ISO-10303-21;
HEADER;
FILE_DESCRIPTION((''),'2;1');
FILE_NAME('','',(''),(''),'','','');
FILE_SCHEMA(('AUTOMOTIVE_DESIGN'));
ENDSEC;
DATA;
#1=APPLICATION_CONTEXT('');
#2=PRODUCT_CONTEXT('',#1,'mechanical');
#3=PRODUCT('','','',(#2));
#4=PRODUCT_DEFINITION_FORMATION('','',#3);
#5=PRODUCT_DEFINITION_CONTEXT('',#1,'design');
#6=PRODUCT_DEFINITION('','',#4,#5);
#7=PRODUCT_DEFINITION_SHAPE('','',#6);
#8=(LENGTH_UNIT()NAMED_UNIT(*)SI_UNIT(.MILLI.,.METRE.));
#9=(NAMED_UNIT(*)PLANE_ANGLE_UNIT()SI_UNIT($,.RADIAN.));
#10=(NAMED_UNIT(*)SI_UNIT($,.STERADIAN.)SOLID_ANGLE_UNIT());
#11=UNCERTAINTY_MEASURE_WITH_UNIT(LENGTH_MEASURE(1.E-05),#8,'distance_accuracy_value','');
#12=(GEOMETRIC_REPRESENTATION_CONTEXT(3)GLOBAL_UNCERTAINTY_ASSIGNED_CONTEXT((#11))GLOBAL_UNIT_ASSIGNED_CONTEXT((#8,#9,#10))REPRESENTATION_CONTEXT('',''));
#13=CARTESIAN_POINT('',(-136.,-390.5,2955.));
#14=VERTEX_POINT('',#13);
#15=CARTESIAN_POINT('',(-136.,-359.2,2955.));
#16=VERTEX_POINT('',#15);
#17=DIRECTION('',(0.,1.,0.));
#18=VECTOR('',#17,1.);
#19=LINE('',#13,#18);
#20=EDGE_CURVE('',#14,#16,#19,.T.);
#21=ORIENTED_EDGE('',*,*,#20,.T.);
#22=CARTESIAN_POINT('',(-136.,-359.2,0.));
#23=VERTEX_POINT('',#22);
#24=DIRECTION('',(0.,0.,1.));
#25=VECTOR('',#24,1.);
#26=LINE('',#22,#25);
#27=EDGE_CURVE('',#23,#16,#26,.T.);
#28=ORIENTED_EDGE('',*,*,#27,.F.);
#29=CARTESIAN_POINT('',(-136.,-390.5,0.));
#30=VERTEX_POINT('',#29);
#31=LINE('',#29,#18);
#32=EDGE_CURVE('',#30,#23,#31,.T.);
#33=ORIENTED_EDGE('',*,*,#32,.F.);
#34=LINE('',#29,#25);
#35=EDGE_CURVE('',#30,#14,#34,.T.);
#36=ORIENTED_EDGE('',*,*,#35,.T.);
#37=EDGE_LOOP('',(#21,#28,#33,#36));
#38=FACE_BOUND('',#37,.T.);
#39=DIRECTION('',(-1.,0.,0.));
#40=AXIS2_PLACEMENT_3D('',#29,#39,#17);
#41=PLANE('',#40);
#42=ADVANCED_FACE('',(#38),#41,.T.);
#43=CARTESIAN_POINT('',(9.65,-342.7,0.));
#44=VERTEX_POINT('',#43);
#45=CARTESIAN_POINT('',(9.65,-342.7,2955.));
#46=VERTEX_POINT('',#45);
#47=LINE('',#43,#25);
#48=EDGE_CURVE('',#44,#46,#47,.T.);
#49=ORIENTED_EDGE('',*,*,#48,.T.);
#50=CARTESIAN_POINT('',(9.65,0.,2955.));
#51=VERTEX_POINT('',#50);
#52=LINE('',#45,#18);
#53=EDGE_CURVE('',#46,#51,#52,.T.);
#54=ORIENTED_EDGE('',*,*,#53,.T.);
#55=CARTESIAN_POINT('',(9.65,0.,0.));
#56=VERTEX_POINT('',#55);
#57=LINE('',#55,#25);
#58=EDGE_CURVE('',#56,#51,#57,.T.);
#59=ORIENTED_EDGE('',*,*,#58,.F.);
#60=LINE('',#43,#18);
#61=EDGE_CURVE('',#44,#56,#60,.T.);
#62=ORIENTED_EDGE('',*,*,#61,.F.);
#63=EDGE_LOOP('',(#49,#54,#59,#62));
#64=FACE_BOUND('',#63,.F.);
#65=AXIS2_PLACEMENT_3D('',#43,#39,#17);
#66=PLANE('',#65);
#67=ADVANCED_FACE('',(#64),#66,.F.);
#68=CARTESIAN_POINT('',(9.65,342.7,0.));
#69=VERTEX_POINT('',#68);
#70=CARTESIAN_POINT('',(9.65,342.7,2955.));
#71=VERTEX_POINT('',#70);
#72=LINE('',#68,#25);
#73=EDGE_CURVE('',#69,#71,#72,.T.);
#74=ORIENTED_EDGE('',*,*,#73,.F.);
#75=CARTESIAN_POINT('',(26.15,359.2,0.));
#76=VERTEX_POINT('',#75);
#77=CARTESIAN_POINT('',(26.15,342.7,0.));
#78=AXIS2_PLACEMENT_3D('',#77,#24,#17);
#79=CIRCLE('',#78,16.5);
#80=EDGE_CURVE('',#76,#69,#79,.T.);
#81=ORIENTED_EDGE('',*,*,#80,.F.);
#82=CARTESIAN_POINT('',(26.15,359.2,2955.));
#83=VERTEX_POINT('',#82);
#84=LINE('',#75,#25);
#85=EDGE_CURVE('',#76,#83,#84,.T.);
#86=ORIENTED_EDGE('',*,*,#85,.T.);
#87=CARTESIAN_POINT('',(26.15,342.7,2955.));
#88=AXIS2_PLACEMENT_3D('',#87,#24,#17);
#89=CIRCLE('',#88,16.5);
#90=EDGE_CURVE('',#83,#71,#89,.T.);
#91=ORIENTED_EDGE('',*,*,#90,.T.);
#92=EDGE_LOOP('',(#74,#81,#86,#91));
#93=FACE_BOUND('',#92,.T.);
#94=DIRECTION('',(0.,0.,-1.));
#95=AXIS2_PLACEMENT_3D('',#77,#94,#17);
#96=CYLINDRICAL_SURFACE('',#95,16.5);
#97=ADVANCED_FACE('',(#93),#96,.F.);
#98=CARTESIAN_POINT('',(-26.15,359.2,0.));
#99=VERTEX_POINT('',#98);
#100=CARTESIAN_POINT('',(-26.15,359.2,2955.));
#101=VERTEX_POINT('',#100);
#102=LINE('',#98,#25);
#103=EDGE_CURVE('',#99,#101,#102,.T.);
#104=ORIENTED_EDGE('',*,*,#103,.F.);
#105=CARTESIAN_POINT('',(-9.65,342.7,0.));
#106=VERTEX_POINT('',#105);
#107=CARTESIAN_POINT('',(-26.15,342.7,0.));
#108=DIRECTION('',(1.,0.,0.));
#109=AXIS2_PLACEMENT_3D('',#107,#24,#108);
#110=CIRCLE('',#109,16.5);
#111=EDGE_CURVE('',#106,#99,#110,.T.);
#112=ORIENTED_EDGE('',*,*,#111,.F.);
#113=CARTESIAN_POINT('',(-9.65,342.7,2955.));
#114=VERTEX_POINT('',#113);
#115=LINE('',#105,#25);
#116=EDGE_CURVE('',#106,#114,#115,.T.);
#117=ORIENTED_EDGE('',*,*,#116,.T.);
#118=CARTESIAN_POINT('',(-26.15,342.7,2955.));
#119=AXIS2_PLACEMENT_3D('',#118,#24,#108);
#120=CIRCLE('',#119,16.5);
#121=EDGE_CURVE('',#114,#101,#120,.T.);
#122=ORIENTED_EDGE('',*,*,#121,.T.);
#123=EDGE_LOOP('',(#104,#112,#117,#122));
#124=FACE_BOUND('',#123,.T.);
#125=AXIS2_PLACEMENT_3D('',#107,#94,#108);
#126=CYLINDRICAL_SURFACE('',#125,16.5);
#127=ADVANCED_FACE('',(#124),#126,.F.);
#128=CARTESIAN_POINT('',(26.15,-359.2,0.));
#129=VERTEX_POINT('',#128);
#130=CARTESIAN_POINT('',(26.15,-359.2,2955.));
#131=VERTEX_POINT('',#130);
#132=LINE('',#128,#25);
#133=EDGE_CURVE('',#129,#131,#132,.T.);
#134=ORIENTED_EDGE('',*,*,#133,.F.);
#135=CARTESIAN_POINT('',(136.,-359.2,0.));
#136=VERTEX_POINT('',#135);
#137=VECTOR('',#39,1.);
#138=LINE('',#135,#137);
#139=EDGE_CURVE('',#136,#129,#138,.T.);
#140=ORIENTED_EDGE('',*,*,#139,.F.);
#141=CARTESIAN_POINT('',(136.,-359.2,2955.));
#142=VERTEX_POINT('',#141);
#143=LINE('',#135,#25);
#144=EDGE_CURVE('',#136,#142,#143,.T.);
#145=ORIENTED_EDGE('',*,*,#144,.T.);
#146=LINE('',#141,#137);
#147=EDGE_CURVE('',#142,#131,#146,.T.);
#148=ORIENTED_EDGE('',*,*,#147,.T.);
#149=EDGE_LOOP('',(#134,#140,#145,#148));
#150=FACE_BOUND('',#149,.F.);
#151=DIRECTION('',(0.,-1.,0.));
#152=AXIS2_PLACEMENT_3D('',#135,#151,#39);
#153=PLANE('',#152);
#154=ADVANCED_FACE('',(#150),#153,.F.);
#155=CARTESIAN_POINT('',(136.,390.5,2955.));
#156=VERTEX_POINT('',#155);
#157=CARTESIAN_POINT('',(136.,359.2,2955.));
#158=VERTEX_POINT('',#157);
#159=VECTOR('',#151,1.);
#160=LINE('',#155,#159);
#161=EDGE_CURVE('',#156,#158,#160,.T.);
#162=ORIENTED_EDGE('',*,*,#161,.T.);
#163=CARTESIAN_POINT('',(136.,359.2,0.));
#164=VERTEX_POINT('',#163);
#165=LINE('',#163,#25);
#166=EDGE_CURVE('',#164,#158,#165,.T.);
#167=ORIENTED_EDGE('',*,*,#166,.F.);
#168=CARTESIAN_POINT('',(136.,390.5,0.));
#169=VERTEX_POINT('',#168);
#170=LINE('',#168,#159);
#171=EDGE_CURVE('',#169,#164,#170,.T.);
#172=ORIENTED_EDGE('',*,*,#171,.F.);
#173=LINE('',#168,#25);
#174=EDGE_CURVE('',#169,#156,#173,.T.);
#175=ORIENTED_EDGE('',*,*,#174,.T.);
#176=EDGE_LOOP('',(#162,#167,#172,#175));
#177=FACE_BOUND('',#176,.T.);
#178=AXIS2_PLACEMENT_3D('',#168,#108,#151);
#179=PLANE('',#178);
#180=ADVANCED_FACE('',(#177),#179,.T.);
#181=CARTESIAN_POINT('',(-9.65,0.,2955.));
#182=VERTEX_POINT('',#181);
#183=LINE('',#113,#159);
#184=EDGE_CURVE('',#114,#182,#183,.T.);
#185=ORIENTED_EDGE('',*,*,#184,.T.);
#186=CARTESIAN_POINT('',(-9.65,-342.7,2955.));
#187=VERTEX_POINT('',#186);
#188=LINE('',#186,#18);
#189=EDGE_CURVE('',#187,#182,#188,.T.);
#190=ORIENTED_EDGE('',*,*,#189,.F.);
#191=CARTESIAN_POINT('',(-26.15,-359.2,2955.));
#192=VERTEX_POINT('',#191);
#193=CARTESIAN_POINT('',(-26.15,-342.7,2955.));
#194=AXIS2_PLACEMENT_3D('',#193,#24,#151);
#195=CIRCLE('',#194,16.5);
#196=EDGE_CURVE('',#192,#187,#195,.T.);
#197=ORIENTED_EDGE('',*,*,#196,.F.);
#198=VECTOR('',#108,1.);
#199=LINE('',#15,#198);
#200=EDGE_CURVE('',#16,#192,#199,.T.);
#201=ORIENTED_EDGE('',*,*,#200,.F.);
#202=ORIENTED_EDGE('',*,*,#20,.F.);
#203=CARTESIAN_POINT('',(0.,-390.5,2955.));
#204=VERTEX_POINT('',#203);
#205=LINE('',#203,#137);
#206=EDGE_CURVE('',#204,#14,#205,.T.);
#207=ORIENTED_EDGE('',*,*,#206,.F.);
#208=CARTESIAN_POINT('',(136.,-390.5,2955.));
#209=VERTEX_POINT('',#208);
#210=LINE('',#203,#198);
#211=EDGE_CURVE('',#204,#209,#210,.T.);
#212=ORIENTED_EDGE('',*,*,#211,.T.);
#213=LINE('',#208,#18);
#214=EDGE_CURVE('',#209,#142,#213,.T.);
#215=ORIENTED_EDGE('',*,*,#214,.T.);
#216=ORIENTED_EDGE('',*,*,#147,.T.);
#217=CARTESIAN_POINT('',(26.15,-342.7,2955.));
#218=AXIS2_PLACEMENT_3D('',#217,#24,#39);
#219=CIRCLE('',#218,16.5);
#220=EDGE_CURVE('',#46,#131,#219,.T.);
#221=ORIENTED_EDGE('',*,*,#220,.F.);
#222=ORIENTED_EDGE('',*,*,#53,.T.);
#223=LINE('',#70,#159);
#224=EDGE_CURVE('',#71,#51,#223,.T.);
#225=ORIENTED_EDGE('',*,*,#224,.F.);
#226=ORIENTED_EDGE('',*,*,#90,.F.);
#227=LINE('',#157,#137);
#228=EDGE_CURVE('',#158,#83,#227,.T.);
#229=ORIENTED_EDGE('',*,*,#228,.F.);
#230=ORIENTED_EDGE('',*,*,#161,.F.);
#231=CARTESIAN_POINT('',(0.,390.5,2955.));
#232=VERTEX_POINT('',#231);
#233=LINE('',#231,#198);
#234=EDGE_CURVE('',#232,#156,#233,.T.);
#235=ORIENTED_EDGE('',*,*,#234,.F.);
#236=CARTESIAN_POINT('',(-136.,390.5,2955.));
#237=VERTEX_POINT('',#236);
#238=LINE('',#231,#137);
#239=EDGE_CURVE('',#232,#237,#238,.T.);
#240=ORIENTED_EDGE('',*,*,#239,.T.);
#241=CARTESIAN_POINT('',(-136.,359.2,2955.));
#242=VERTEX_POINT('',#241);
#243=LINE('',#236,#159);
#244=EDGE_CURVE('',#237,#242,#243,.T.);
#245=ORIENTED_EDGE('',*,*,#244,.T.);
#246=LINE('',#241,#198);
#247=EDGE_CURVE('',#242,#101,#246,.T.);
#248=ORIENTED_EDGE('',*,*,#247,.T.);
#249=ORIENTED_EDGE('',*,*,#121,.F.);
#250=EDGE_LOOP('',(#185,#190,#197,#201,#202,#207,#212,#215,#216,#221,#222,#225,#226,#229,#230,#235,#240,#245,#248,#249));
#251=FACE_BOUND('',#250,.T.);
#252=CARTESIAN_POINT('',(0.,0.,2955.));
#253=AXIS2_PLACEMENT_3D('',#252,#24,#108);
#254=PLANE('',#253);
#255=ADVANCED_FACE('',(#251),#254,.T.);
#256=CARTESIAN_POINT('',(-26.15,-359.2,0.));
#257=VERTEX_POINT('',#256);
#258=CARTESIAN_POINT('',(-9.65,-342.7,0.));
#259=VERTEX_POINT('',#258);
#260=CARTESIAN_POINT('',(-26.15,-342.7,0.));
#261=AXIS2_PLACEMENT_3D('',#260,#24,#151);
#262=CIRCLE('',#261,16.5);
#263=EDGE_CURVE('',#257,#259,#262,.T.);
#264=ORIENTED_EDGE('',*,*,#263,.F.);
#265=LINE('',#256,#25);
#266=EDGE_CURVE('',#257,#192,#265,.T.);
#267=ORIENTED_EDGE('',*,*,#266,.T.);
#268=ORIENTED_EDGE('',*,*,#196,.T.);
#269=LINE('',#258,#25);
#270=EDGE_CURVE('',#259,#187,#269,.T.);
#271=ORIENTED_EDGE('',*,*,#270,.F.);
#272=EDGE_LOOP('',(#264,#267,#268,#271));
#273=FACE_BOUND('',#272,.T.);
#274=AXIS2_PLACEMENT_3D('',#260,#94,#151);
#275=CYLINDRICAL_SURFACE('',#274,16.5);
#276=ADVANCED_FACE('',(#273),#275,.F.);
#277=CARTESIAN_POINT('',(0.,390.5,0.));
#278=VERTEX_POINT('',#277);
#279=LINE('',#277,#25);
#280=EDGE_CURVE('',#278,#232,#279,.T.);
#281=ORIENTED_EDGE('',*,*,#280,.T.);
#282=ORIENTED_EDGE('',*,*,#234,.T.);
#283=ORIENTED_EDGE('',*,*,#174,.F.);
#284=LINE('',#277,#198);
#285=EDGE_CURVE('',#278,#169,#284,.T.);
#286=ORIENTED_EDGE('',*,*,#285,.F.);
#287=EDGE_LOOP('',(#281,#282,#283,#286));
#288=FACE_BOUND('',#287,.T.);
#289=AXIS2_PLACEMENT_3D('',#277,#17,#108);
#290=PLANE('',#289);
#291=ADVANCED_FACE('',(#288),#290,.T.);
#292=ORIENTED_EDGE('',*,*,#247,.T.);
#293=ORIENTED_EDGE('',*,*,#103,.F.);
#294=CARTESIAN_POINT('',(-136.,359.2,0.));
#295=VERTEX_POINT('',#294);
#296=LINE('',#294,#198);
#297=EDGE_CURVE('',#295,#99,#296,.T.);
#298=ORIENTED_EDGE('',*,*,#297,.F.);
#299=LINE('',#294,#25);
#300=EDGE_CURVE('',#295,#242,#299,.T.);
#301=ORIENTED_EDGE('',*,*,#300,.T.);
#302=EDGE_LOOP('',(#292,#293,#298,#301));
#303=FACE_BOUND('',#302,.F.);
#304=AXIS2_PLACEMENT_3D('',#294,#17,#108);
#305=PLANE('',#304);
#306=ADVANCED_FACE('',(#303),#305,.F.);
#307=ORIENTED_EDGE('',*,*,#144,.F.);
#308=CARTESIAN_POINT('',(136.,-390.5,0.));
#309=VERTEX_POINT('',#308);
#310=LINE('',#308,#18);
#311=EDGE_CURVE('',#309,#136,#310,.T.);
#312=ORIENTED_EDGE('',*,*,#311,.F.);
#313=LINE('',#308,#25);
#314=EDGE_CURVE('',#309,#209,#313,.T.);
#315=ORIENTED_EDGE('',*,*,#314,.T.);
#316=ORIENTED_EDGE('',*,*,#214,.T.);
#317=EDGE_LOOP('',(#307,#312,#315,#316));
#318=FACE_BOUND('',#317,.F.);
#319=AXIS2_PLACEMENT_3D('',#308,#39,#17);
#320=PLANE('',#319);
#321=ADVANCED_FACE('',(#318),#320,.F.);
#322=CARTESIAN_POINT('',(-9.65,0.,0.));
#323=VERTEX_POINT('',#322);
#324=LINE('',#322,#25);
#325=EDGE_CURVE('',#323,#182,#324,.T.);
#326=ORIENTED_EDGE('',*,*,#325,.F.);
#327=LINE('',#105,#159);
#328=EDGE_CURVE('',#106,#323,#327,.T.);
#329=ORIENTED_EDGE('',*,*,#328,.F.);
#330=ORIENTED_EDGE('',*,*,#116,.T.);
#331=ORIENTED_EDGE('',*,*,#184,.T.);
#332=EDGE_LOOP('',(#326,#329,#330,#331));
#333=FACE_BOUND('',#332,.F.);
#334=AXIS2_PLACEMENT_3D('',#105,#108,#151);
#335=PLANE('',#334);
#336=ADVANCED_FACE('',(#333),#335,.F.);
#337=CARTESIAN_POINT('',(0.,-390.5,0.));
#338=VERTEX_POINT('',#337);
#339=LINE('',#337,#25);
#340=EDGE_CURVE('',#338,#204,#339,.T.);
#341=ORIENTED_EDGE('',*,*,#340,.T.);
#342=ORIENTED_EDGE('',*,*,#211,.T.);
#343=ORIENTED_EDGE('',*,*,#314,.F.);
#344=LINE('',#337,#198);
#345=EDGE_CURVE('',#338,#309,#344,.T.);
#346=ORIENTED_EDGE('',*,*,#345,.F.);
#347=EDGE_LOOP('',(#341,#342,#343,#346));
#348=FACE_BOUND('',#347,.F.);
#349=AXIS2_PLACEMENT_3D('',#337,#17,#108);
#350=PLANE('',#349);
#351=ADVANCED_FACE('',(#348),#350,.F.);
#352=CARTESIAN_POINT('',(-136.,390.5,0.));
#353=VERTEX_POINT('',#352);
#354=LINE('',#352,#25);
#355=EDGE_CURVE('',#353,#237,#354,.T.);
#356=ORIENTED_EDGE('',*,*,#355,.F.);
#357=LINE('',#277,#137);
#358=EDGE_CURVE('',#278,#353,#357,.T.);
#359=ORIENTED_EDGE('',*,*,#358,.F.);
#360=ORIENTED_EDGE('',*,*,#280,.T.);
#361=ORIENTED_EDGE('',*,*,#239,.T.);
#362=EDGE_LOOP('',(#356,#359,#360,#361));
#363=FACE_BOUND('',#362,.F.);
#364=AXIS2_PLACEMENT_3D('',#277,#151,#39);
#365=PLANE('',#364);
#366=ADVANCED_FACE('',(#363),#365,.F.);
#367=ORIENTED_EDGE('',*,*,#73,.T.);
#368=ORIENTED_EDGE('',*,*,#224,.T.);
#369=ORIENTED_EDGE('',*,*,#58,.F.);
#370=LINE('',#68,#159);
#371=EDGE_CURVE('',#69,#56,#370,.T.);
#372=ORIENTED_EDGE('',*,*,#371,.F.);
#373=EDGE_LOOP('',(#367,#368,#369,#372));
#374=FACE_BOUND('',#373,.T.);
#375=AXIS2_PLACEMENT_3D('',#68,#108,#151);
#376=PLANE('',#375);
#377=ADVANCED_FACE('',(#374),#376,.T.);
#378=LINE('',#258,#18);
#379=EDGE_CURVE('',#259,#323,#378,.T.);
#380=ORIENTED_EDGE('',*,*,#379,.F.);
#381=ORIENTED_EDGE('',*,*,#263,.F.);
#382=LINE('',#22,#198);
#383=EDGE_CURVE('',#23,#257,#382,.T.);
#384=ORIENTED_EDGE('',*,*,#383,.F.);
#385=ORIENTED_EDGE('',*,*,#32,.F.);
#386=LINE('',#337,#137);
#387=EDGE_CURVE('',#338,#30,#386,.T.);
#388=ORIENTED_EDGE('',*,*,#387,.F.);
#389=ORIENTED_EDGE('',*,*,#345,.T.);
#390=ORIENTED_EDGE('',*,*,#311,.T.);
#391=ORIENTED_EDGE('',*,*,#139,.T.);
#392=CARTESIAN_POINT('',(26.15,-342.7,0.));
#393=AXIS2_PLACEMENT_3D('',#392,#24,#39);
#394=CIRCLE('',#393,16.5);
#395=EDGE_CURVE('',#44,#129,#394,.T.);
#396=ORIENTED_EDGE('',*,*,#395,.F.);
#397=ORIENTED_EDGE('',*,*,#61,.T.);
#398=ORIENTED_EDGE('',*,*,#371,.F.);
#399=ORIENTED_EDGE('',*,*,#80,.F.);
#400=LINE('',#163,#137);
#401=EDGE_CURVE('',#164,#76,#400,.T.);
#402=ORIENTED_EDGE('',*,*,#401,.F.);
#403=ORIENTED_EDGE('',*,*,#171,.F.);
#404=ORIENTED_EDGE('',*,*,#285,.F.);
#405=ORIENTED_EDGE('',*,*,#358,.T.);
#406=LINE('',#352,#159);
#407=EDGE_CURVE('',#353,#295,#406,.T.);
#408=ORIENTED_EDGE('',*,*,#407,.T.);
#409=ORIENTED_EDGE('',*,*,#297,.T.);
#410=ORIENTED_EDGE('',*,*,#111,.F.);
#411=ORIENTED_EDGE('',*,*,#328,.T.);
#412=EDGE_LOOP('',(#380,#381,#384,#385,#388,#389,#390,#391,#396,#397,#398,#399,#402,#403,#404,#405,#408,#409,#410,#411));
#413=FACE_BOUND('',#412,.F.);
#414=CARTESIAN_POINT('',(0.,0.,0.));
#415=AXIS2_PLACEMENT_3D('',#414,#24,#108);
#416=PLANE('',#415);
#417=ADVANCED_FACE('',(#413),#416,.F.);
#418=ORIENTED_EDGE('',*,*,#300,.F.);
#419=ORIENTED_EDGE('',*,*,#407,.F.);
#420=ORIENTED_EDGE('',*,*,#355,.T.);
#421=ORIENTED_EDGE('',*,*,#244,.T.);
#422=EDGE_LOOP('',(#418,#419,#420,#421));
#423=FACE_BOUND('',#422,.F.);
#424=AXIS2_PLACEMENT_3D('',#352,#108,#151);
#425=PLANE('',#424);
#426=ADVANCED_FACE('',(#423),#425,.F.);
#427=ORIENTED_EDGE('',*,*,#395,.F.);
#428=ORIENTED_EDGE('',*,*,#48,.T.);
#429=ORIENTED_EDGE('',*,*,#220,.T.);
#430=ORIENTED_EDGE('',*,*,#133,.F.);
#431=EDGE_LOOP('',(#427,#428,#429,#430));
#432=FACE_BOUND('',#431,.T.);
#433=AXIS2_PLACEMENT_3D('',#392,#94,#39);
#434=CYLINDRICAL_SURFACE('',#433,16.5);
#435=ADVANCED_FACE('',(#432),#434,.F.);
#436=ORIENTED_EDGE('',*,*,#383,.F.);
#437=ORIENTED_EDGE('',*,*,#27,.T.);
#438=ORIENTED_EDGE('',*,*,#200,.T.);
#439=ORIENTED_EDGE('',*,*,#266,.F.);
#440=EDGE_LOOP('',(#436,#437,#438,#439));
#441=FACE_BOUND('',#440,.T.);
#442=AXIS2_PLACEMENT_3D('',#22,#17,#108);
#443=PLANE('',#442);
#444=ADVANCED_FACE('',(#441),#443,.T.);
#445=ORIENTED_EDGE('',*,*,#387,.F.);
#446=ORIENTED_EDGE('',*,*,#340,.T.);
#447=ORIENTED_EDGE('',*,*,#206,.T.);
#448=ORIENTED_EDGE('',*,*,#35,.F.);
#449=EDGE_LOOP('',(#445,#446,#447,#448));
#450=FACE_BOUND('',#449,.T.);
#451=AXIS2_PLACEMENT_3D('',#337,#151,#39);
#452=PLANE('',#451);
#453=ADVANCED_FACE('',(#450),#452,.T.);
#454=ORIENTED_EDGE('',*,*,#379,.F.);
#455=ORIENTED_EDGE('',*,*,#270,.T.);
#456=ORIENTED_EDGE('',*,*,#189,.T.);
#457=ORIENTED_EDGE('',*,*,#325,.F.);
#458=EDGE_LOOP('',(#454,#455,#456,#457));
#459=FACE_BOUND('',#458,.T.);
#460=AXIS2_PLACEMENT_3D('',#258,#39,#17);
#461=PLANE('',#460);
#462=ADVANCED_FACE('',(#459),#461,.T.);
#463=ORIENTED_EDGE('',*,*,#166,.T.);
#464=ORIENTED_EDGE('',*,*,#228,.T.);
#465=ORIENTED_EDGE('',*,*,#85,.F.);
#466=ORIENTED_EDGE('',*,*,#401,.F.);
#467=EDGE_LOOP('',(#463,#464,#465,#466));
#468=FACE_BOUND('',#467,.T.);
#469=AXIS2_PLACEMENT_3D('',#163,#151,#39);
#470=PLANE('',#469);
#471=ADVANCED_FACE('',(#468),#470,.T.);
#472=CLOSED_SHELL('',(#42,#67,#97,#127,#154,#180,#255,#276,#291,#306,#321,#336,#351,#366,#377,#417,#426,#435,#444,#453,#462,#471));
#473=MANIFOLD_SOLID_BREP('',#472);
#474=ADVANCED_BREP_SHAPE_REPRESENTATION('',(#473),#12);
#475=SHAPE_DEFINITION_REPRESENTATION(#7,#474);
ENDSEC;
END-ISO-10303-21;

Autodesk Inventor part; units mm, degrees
ref_plane "YZ Plane" through (0, 0, 0) normal (1, 0, 0) x (0, 1, 0)
ref_plane "Start plane" through (0, 0, 0) normal (0, 0, 1) x (1, 0, 0)
ref_plane "End plane" through (0, 0, 2955) normal (0, 0, 1) x (1, 0, 0)
sketch "Sketch" plane through (0, 0, 0) normal (0, 0, 1) x (1, 0, 0)
  line L0 (-136, -390.5) -> (-136, -359.2)
  line L1 (-136, -359.2) -> (-26.15, -359.2)
  line L2 (-9.65, -342.7) -> (-9.65, 0)
  line L3 (-9.65, 0) -> (0, 0) construction
  line L4 (0, 0) -> (0, -390.5) construction
  line L5 (0, -390.5) -> (-136, -390.5)
  line L6 (-60, 0) -> (80, 0) construction
  line L7 (0, -60) -> (0, 80) construction
  line L8 (136, -390.5) -> (136, -359.2)
  line L9 (136, -359.2) -> (26.15, -359.2)
  line L10 (9.65, -342.7) -> (9.65, 0)
  line L11 (9.65, 0) -> (0, 0) construction
  line L12 (0, -390.5) -> (136, -390.5)
  line L13 (-136, 390.5) -> (-136, 359.2)
  line L14 (-136, 359.2) -> (-26.15, 359.2)
  line L15 (-9.65, 342.7) -> (-9.65, 0)
  line L16 (0, 390.5) -> (-136, 390.5)
  line L17 (136, 390.5) -> (136, 359.2)
  line L18 (136, 359.2) -> (26.15, 359.2)
  line L19 (0, 390.5) -> (136, 390.5)
  line L20 (9.65, 342.7) -> (9.65, 0)
  arc A0 (-9.65, 342.7) -> (-26.15, 359.2) centre (-26.15, 342.7) ccw
  arc A1 (26.15, 359.2) -> (9.65, 342.7) centre (26.15, 342.7) ccw
  arc A2 (9.65, -342.7) -> (26.15, -359.2) centre (26.15, -342.7) ccw
  arc A3 (-26.15, -359.2) -> (-9.65, -342.7) centre (-26.15, -342.7) ccw
  line L21 (0, 108) -> (0, -88) construction
  line L22 (-88, 0) -> (108, 0) construction
  point P0 (-9.65, -359.2)
  point P1 (9.65, -359.2)
  point P2 (-9.65, 359.2)
  point P3 (9.65, 359.2)
  dimension "d1" = 390.5
  dimension "d2" = 31.3
  dimension "d3" = 136
  dimension "d4" = 9.65
  dimension "d10" = 16.5
extrude "Body" add sketch "Sketch" along normal up to surface (2955 mm away) from surface at 0
sketch "Sketch4" plane through (0, 0, 0) normal (0, 0, 1) x (1, 0, 0)
  line L0 (0, 0) -> (10, 0)
ref_plane "Work Plane3" through (0, 0, 0) normal (0, -1, 0) x (1, 0, 0)
sketch "Sketch5" plane through (0, 0, 0) normal (0, -1, 0) x (1, 0, 0)
  line L0 (-2, 0) -> (12, 0) projected
  line L1 (-2, 2955) -> (12, 2955) projected
  dimension "d14" = 2955
equation "\"d1\" = 0.5 * G_H"
equation "\"d2\" = G_T1"
equation "\"d3\" = 0.5 * G_W"
equation "\"d4\" = 0.5 * G_T"
equation "\"d10\" = G_IR"
equation "\"d5\" = G_L"
equation "\"G_W\" = 272"
equation "\"G_H\" = 781"
equation "\"G_T\" = 19.3"
equation "\"G_T1\" = 31.3"
equation "\"G_IR\" = 16.5"
equation "\"G_L\" = d14"
equation "\"G_OFFSET_START\" = 0"
equation "\"G_OFFSET_END\" = 0"
equation "\"d12\" = G_OFFSET_END + B_L"
equation "\"B_L\" = 2955"
properties part number "AS 3679-1990 - 760 UB - 244 - 2955" material "Steel, Mild"
